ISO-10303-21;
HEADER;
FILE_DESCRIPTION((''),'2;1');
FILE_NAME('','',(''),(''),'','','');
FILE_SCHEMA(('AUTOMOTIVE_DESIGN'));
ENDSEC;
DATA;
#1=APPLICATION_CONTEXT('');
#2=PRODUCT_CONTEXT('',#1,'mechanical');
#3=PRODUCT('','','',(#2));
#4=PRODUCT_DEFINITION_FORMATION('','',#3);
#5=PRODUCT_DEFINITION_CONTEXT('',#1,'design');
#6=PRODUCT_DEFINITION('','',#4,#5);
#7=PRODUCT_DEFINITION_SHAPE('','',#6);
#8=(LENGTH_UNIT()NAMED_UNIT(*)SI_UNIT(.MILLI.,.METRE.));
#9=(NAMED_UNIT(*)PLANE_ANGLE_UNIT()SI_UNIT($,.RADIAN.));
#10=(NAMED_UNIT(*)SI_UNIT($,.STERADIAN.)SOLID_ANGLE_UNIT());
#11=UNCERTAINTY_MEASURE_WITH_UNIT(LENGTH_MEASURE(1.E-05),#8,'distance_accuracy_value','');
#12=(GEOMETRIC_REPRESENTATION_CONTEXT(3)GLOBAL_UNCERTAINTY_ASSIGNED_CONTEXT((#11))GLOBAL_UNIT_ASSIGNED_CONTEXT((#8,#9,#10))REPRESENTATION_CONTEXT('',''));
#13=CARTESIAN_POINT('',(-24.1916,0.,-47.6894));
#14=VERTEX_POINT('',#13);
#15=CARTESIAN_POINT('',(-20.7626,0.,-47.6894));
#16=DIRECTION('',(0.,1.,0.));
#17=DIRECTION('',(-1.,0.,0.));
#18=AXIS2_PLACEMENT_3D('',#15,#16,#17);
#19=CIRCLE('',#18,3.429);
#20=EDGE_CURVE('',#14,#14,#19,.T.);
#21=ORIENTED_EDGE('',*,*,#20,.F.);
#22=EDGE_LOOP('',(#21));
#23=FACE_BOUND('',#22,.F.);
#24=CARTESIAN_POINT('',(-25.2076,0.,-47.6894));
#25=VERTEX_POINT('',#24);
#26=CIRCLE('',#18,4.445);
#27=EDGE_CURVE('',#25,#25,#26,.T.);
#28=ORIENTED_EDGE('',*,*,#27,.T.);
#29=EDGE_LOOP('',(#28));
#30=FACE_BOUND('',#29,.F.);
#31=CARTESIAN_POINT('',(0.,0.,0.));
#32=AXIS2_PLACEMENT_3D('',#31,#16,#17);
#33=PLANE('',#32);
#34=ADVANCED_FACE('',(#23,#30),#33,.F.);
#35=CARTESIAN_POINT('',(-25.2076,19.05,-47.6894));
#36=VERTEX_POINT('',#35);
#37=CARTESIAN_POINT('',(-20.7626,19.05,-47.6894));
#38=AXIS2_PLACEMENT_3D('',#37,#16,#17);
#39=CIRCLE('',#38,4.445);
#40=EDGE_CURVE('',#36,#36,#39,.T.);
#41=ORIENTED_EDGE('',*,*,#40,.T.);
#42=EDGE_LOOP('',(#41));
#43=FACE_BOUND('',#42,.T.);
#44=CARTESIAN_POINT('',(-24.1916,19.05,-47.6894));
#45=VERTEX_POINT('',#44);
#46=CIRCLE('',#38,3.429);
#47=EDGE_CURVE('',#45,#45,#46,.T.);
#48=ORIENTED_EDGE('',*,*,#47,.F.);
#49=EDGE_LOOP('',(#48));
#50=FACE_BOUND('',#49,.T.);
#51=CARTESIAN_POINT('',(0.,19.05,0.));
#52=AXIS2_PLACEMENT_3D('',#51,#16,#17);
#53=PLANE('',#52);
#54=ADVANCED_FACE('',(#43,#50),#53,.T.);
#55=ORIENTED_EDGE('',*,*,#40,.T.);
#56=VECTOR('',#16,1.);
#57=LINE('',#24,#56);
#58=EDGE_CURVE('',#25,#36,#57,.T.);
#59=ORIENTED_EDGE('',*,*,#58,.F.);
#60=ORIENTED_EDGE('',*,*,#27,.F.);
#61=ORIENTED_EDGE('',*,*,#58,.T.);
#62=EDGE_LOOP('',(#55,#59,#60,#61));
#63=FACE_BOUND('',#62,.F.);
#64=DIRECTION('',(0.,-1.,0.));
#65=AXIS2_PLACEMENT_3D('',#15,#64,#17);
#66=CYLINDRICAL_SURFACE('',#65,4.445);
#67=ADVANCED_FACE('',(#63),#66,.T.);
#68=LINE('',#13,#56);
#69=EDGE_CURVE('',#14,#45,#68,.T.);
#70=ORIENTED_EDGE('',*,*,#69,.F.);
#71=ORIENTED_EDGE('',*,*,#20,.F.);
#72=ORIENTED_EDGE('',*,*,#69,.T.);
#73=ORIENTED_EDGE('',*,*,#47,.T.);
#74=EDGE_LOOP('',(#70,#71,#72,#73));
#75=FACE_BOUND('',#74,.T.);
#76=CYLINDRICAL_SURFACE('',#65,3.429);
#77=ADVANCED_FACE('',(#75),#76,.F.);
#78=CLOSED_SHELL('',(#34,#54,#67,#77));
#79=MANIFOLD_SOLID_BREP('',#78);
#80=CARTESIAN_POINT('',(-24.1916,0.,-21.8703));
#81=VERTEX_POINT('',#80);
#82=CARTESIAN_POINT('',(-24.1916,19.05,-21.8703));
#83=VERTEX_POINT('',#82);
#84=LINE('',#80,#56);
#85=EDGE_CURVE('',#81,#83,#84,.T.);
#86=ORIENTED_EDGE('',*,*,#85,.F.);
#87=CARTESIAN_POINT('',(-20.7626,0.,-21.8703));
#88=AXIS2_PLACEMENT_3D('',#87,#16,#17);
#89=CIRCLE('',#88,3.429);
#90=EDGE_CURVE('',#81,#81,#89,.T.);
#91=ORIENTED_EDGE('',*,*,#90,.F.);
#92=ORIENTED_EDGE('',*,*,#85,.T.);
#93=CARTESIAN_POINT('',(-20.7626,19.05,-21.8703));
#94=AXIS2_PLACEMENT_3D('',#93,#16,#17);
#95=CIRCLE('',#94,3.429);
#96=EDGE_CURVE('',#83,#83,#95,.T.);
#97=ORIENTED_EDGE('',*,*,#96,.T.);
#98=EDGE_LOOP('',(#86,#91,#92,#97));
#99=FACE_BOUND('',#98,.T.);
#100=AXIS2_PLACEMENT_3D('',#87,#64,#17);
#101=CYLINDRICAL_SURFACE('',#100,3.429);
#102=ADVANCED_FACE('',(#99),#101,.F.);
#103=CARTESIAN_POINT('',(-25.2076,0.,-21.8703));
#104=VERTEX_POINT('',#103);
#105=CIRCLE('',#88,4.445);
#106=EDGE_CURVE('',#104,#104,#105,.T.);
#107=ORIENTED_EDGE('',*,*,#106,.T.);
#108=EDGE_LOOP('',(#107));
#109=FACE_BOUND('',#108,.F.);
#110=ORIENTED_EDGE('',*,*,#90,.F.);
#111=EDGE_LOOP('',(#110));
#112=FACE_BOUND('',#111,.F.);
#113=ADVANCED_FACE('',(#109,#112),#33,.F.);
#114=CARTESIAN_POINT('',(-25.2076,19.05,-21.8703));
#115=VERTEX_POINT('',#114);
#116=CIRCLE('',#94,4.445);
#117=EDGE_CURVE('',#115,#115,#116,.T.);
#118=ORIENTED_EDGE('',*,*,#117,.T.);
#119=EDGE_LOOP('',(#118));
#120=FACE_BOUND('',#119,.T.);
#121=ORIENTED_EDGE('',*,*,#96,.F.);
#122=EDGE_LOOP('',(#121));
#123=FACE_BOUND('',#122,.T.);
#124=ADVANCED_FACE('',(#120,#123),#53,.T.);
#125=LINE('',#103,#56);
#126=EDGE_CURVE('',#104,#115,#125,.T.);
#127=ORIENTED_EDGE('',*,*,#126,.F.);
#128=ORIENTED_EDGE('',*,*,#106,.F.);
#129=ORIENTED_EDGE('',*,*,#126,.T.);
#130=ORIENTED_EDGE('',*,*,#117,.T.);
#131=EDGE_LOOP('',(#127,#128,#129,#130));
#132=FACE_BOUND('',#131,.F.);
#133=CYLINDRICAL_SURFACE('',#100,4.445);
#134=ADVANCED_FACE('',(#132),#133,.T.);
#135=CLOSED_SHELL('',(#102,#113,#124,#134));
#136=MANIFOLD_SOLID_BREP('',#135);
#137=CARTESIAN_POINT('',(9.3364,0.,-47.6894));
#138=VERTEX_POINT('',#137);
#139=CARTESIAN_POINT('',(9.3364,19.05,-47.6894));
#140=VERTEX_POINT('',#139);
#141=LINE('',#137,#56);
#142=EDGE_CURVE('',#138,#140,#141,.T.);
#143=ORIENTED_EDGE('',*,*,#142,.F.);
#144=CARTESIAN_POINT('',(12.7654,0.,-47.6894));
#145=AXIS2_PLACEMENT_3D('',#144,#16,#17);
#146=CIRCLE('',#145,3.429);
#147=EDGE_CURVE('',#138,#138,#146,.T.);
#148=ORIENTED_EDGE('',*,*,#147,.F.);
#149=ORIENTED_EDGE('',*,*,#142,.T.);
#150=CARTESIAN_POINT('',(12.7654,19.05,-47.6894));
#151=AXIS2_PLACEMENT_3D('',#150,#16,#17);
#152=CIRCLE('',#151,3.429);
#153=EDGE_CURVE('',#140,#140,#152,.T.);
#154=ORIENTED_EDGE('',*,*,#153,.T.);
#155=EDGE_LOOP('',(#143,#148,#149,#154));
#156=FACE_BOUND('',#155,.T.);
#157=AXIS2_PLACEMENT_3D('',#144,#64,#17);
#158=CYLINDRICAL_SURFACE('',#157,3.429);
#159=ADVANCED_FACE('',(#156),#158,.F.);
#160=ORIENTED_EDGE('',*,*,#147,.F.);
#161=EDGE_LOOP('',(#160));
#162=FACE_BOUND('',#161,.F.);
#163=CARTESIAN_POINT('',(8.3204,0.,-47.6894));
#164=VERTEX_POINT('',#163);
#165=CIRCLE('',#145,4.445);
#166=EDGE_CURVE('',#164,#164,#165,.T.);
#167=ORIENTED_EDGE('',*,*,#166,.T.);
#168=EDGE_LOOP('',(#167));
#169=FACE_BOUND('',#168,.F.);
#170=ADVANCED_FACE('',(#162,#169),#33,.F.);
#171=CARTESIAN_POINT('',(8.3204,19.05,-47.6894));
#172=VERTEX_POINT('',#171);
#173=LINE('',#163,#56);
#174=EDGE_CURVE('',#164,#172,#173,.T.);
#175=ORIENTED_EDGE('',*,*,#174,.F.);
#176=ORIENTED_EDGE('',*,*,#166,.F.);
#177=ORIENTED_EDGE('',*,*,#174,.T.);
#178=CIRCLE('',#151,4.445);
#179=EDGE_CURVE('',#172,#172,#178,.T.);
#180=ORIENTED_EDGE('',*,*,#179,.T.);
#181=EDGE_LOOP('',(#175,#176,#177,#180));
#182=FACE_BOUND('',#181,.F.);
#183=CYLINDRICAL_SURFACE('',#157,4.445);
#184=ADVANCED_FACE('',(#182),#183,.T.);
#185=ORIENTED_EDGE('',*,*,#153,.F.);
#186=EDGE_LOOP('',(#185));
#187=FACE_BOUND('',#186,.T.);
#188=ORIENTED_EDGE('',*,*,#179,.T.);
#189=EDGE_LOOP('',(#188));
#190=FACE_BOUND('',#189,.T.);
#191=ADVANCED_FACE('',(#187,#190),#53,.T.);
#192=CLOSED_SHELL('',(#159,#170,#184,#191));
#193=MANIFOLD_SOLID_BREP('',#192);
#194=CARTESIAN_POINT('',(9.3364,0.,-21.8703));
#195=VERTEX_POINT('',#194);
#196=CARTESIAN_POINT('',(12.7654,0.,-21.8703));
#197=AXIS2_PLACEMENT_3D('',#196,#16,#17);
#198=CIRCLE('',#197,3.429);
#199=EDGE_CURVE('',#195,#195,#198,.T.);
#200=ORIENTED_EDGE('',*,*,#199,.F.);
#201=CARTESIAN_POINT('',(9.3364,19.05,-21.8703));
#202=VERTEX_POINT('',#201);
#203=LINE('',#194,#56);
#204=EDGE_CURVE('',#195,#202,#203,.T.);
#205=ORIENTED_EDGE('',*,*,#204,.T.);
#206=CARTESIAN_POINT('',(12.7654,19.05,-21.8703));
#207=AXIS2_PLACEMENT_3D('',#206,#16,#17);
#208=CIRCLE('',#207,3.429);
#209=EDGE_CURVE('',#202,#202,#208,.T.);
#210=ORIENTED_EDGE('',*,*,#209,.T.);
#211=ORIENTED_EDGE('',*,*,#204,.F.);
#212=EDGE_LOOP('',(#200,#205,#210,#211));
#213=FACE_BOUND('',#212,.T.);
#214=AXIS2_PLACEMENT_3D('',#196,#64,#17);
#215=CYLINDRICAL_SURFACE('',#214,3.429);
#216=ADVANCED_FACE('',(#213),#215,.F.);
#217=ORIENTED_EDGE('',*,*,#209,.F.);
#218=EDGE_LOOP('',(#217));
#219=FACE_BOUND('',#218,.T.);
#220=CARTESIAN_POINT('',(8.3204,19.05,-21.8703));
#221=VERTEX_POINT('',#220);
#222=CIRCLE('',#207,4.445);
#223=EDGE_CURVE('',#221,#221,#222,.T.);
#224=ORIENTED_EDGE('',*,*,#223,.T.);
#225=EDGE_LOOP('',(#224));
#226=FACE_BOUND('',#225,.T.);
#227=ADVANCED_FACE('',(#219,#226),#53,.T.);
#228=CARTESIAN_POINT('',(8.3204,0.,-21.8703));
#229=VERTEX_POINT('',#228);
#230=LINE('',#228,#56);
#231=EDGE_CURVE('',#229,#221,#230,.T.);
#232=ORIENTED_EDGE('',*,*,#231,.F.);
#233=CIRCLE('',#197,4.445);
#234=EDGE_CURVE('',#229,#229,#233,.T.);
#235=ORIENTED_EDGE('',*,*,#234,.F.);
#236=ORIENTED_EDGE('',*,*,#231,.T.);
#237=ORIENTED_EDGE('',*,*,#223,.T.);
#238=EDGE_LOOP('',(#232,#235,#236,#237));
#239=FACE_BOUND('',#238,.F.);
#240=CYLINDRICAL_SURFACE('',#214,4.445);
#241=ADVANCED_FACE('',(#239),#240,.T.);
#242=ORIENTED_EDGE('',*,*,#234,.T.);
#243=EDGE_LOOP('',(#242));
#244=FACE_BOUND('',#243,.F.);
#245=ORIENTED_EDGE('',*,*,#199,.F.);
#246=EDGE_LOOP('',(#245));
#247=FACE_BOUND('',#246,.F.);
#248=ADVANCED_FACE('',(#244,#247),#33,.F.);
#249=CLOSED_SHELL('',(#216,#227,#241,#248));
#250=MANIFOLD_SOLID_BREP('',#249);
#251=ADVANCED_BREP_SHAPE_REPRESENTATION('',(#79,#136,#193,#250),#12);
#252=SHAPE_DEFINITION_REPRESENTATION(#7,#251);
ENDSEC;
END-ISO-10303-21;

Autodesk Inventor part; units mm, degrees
ref_plane "YZ Plane" through (0, 0, 0) normal (1, 0, 0) x (0, 1, 0)
ref_plane "XZ Plane" through (0, 0, 0) normal (0, 1, 0) x (-1, 0, 0)
ref_plane "XY Plane" through (0, 0, 0) normal (0, 0, 1) x (1, 0, 0)
sketch "Sketch1" plane through (0, 0, 0) normal (0, 1, 0) x (-1, 0, 0)
  arc A0 (17.7231, -22.7881) -> (17.7231, -20.9526) centre (20.7626, -21.8703) ccw projected
  arc A1 (17.7231, -20.9526) -> (17.7231, -22.7881) centre (20.7626, -21.8703) ccw projected
  arc A2 (17.7231, -48.6072) -> (17.7231, -46.7717) centre (20.7626, -47.6894) ccw projected
  arc A3 (17.7231, -46.7717) -> (17.7231, -48.6072) centre (20.7626, -47.6894) ccw projected
  arc A4 (-9.726, -46.7717) -> (-9.726, -48.6072) centre (-12.7654, -47.6894) ccw projected
  arc A5 (-9.726, -48.6072) -> (-9.726, -46.7717) centre (-12.7654, -47.6894) ccw projected
  arc A6 (-9.726, -20.9526) -> (-9.726, -22.7881) centre (-12.7654, -21.8703) ccw projected
  arc A7 (-9.726, -22.7881) -> (-9.726, -20.9526) centre (-12.7654, -21.8703) ccw projected
  circle A8 centre (20.7626, -21.8703) radius 3.429
  circle A9 centre (20.7626, -47.6894) radius 3.429
  circle A10 centre (-12.7654, -47.6894) radius 3.429
  circle A11 centre (-12.7654, -21.8703) radius 3.429
  circle A12 centre (-12.7654, -21.8703) radius 4.445
  circle A13 centre (-12.7654, -47.6894) radius 4.445
  circle A14 centre (20.7626, -47.6894) radius 4.445
  circle A15 centre (20.7626, -21.8703) radius 4.445
  point P0 (0, 0)
  dimension "d0" = 6.858
  dimension "d1" = 6.858
  dimension "d2" = 6.858
  dimension "d3" = 6.858
  dimension "d4" = 8.89
  dimension "d5" = 8.89
  dimension "d6" = 8.89
  dimension "d7" = 8.89
extrude "Extrusion1" add sketch "Sketch1" along normal blind 19.05 contours A12 | A13 | A14 | A15
ref_plane "Work Plane2" through (-20.7626, 0, -17.4253) normal (0, 0, 1) x (1, 0, 0)
ref_plane "Work Plane1" through (-4.353, 20.3962, -73.6634) normal (0, 0, 1) x (1, 0, 0)
sketch "Sketch2" plane through (-20.7626, 0, -17.4253) normal (0, 0, 1) x (1, 0, 0)
  circle A0 centre (16.4095, 20.3962) radius 7.9375 projected
  line L0 (29.718, 19.05) -> (28.448, 19.05) projected
  line L1 (29.083, 0) -> (29.083, 19.05) projected
  line L2 (29.718, 19.05) -> (37.0078, 19.05) projected
  circle A1 centre (16.4095, 20.3962) radius 69.85 projected
  circle A2 centre (16.4095, 20.3962) radius 7.9375 projected
  line L3 (29.3635, 19.05) -> (28.0935, 19.05) projected
  line L4 (28.0935, 22.098) -> (28.0935, 19.05) projected
  line L5 (26.8235, 20.5954) -> (28.0935, 19.1092) projected
  line L6 (22.3384, 25.8441) -> (26.8235, 20.5954) projected
  arc A3 (22.3384, 25.8441) -> (21.3729, 26.289) centre (21.3729, 25.019) ccw projected
  line L7 (4.7255, 19.05) -> (3.4555, 19.05) projected
  line L8 (4.445, 0) -> (4.445, 19.05) projected
  line L9 (4.7255, 19.1092) -> (5.9955, 20.5954) projected
  arc A4 (12.3827, 29.337) -> (7.5552, 27.1123) centre (12.3827, 22.987) ccw projected
  line L10 (7.5552, 27.1123) -> (3.6505, 22.5429) projected
  arc A5 (2.685, 22.098) -> (3.6505, 22.5429) centre (2.685, 23.368) ccw projected
  line L11 (5.9955, 22.098) -> (2.685, 22.098) projected
  line L12 (5.9955, 20.5954) -> (5.9955, 22.098) projected
  line L13 (5.9955, 20.5954) -> (10.4807, 25.8441) projected
  arc A6 (11.4462, 26.289) -> (10.4807, 25.8441) centre (11.4462, 25.019) ccw projected
  line L14 (11.4462, 26.289) -> (21.3729, 26.289) projected
  arc A7 (22.3384, 25.8441) -> (21.3729, 26.289) centre (21.3729, 25.019) ccw projected
  line L15 (22.3384, 25.8441) -> (26.8235, 20.5954) projected
  line L16 (26.8235, 22.098) -> (26.8235, 20.5954) projected
  line L17 (30.1341, 22.098) -> (26.8235, 22.098) projected
  arc A8 (29.1686, 22.5429) -> (30.1341, 22.098) centre (30.1341, 23.368) ccw projected
  line L18 (29.1686, 22.5429) -> (25.2639, 27.1123) projected
  arc A9 (25.2639, 27.1123) -> (20.4364, 29.337) centre (20.4364, 22.987) ccw projected
  line L19 (12.3827, 29.337) -> (20.4364, 29.337) projected
  line L20 (4.445, 19.05) -> (8.255, 19.05)
  line L21 (16.4095, 12.4587) -> (16.4095, 8.6487)
  arc A10 (8.3294, 19.05) -> (24.4897, 19.05) centre (16.4095, 20.3962) ccw
  line L22 (8.255, 19.05) -> (8.3294, 19.05)
  line L23 (24.4897, 19.05) -> (29.494, 19.05)
  line L24 (29.494, 16.51) -> (26.4127, 16.51)
  line L25 (6.4064, 16.51) -> (4.445, 16.51)
  line L26 (21.3729, 10.8814) -> (29.083, 3.1713)
  line L27 (21.3729, 10.8814) -> (34.2329, 10.8814) construction
  line L28 (23.3424, 12.2047) -> (29.083, 6.4641)
  line L29 (23.3424, 12.2047) -> (31.4608, 12.2047) construction
  line L30 (29.083, 6.4641) -> (29.083, 3.1713)
  line L31 (28.829, 6.3589) -> (23.3263, 11.8616)
  arc A11 (21.7932, 10.8203) -> (23.3263, 11.8616) centre (16.4095, 20.3962) ccw
  line L32 (28.829, 3.7845) -> (28.829, 6.3589)
  line L33 (23.3263, 11.8616) -> (23.3263, 9.2872)
  line L34 (23.3263, 9.2872) -> (25.9007, 9.2872)
  line L35 (25.9007, 9.2872) -> (25.9007, 6.7128)
  line L36 (25.9007, 6.7128) -> (28.475, 6.7128)
  line L37 (28.475, 6.7128) -> (28.475, 4.1385)
  arc A12 (23.3424, 12.2047) -> (26.4127, 16.51) centre (16.4095, 20.3962) ccw
  arc A13 (23.3263, 12.1911) -> (23.3424, 12.2047) centre (16.4095, 20.3962) ccw
  line L38 (37.973, 0) -> (29.083, 0) projected
  line L39 (4.445, 0) -> (29.083, 0)
  line L40 (16.4095, -95.1738) -> (16.4095, 135.9662)
  line L41 (29.083, 2.54) -> (29.083, 0)
  line L42 (4.445, 2.54) -> (4.445, 0)
  line L43 (30.099, 19.05) -> (30.099, 0) projected
  line L44 (28.829, 2.286) -> (4.699, 2.286)
  line L45 (4.699, 2.286) -> (4.699, 0.254)
  line L46 (4.699, 0.254) -> (28.829, 0.254)
  line L47 (28.829, 0.254) -> (28.829, 2.286)
  line L48 (28.221, 4.3925) -> (28.221, 6.4588)
  line L49 (28.221, 6.4588) -> (26.1547, 6.4588)
  line L50 (23.0723, 9.5412) -> (23.0723, 11.6618)
  line L51 (25.6467, 9.0332) -> (23.5803, 9.0332)
  line L52 (25.6467, 6.9668) -> (25.6467, 9.0332)
  line L53 (28.475, 4.1385) -> (28.829, 3.7845)
  line L54 (26.1547, 6.4588) -> (28.221, 4.3925)
  line L55 (21.7932, 10.8203) -> (23.0723, 9.5412)
  line L56 (23.5803, 9.0332) -> (25.6467, 6.9668)
  line L57 (4.699, 0.254) -> (6.731, 2.286)
  line L58 (4.699, 0.254) -> (7.5727, 0.254) construction
  line L59 (6.731, 2.286) -> (6.731, 0.254)
  line L60 (6.731, 0.254) -> (8.763, 2.286)
  line L61 (8.763, 0.254) -> (8.763, 2.286)
  line L62 (8.763, 0.254) -> (10.795, 2.286)
  line L63 (10.795, 2.286) -> (10.795, 0.254)
  line L64 (10.795, 0.254) -> (12.827, 2.286)
  line L65 (12.827, 2.286) -> (12.827, 0.254)
  line L66 (12.827, 0.254) -> (14.859, 2.286)
  line L67 (14.859, 2.286) -> (14.859, 0.254)
  line L68 (14.859, 0.254) -> (16.4095, 2.286)
  line L69 (28.1201, 0.254) -> (26.0881, 2.286)
  line L70 (26.0881, 2.286) -> (26.0881, 0.254)
  line L71 (26.0881, 0.254) -> (24.0561, 2.286)
  line L72 (24.0561, 0.254) -> (24.0561, 2.286)
  line L73 (24.0561, 0.254) -> (22.0241, 2.286)
  line L74 (22.0241, 2.286) -> (22.0241, 0.254)
  line L75 (22.0241, 0.254) -> (19.9921, 2.286)
  line L76 (19.9921, 2.286) -> (19.9921, 0.254)
  line L77 (19.9921, 0.254) -> (17.9601, 2.286)
  line L78 (17.9601, 2.286) -> (17.9601, 0.254)
  line L79 (17.9601, 0.254) -> (16.4095, 2.286)
  line L80 (23.8021, 0.8672) -> (22.3833, 2.286)
  line L81 (21.7701, 2.286) -> (21.7701, 0.8672)
  line L82 (21.7701, 0.8672) -> (20.3513, 2.286)
  line L83 (19.7381, 2.286) -> (19.7381, 0.8672)
  line L84 (19.7381, 0.8672) -> (18.3193, 2.286)
  line L85 (17.7061, 2.286) -> (17.7061, 1.0056)
  line L86 (17.7061, 1.0056) -> (16.729, 2.286)
  line L87 (16.09, 2.286) -> (15.113, 1.0056)
  line L88 (15.113, 1.0056) -> (15.113, 2.286)
  line L89 (14.4998, 2.286) -> (13.081, 0.8672)
  line L90 (13.081, 0.8672) -> (13.081, 2.286)
  line L91 (12.4678, 2.286) -> (11.049, 0.8672)
  line L92 (11.049, 0.8672) -> (11.049, 2.286)
  line L93 (10.4358, 2.286) -> (9.017, 0.8672)
  line L94 (9.017, 0.8672) -> (9.017, 2.286)
  line L95 (8.4038, 2.286) -> (6.985, 0.8672)
  line L96 (6.985, 0.8672) -> (6.985, 2.286)
  line L97 (6.3718, 2.286) -> (4.699, 0.6132)
  line L98 (28.2997, 0.4336) -> (28.4793, 0.254)
  line L99 (23.8021, 2.286) -> (23.8021, 0.8672)
  line L100 (25.8341, 0.8672) -> (24.4153, 2.286)
  line L101 (25.8341, 2.286) -> (25.8341, 0.8672)
  line L102 (28.2997, 0.4336) -> (26.4473, 2.286)
  line L103 (11.4462, 10.8814) -> (3.7361, 3.1713)
  line L104 (11.4462, 10.8814) -> (-1.4138, 10.8814) construction
  line L105 (9.4767, 12.2047) -> (3.7361, 6.4641)
  line L106 (3.9901, 6.3589) -> (9.4928, 11.8616)
  arc A14 (9.4928, 11.8616) -> (11.0259, 10.8203) centre (16.4095, 20.3962) ccw
  line L107 (3.9901, 3.7845) -> (3.9901, 6.3589)
  line L108 (9.4928, 11.8616) -> (9.4928, 9.2872)
  line L109 (9.4928, 9.2872) -> (6.9184, 9.2872)
  line L110 (6.9184, 9.2872) -> (6.9184, 6.7128)
  line L111 (6.9184, 6.7128) -> (4.344, 6.7128)
  line L112 (4.344, 6.7128) -> (4.344, 4.1385)
  line L113 (4.598, 4.3925) -> (4.598, 6.4588)
  line L114 (4.598, 6.4588) -> (6.6644, 6.4588)
  line L115 (9.7468, 9.5412) -> (9.7468, 11.6618)
  line L116 (7.1724, 9.0332) -> (9.2388, 9.0332)
  line L117 (7.1724, 6.9668) -> (7.1724, 9.0332)
  line L118 (4.344, 4.1385) -> (3.9901, 3.7845)
  line L119 (6.6644, 6.4588) -> (4.598, 4.3925)
  line L120 (11.0259, 10.8203) -> (9.7468, 9.5412)
  line L121 (9.2388, 9.0332) -> (7.1724, 6.9668)
  arc A15 (6.4064, 16.51) -> (9.4767, 12.2047) centre (16.4095, 20.3962) ccw
  arc A16 (11.4462, 10.8814) -> (21.3729, 10.8814) centre (16.4095, 20.3962) ccw
  line L122 (15.113, 2.286) -> (15.113, 9.7433)
  line L123 (17.7061, 2.54) -> (17.7061, 9.7433)
  line L124 (16.6635, 2.794) -> (17.4521, 3.5825)
  line L125 (17.4521, 3.8365) -> (16.6635, 3.8365)
  line L126 (16.6635, 4.0905) -> (17.4521, 4.8791)
  line L127 (17.4521, 5.1331) -> (16.6635, 5.1331)
  line L128 (16.6635, 5.3871) -> (17.4521, 6.1756)
  line L129 (17.4521, 6.4296) -> (16.6635, 6.4296)
  line L130 (16.6635, 6.6836) -> (17.4521, 7.4721)
  line L131 (17.4521, 7.7261) -> (16.6635, 7.7261)
  line L132 (16.6635, 7.9801) -> (17.4521, 8.7687)
  line L133 (17.4521, 9.0227) -> (16.6635, 9.0227)
  line L134 (16.6635, 9.2767) -> (17.072, 9.6852)
  line L135 (16.6635, 2.54) -> (17.4521, 2.54)
  line L136 (17.4521, 9.7433) -> (17.4521, 2.54)
  line L137 (16.6635, 2.54) -> (16.6635, 135.9662)
  line L138 (16.6635, -95.1738) -> (16.6635, -49.4533)
  line L139 (17.7061, 2.54) -> (29.083, 2.54)
  line L140 (4.445, 2.54) -> (16.4095, 2.54)
  line L141 (16.6635, 2.54) -> (17.4521, 2.54)
  line L142 (16.6962, 9.6685) -> (16.6635, 9.6359)
  line L143 (16.6635, 8.7687) -> (17.0929, 8.7687)
  line L144 (17.0929, 8.7687) -> (16.6635, 8.3394)
  line L145 (17.0929, 7.4721) -> (16.6635, 7.0428)
  line L146 (16.6635, 6.1756) -> (17.0929, 6.1756)
  line L147 (17.0929, 6.1756) -> (16.6635, 5.7463)
  line L148 (16.6635, 4.8791) -> (17.0929, 4.8791)
  line L149 (16.6635, 3.5825) -> (17.0929, 3.5825)
  line L150 (17.0929, 3.5825) -> (16.6635, 3.1532)
  line L151 (17.0929, 4.8791) -> (16.6635, 4.4497)
  line L152 (16.6635, 7.4721) -> (17.0929, 7.4721)
  line L153 (15.113, 2.54) -> (15.113, 9.7433)
  line L154 (16.1555, 2.794) -> (15.367, 3.5825)
  line L155 (15.367, 3.8365) -> (16.1555, 3.8365)
  line L156 (16.1555, 4.0905) -> (15.367, 4.8791)
  line L157 (15.367, 5.1331) -> (16.1555, 5.1331)
  line L158 (16.1555, 5.3871) -> (15.367, 6.1756)
  line L159 (15.367, 6.4296) -> (16.1555, 6.4296)
  line L160 (16.1555, 6.6836) -> (15.367, 7.4721)
  line L161 (15.367, 7.7261) -> (16.1555, 7.7261)
  line L162 (16.1555, 7.9801) -> (15.367, 8.7687)
  line L163 (15.367, 9.0227) -> (16.1555, 9.0227)
  line L164 (16.1555, 9.2767) -> (15.747, 9.6852)
  line L165 (16.1555, 2.54) -> (15.367, 2.54)
  line L166 (15.367, 9.7433) -> (15.367, 2.54)
  line L167 (16.1555, 2.54) -> (16.1555, 135.9662)
  line L168 (16.1555, 8.7687) -> (15.7262, 8.7687)
  line L169 (15.7262, 8.7687) -> (16.1555, 8.3394)
  line L170 (15.7262, 7.4721) -> (16.1555, 7.0428)
  line L171 (16.1555, 6.1756) -> (15.7262, 6.1756)
  line L172 (15.7262, 6.1756) -> (16.1555, 5.7463)
  line L173 (16.1555, 4.8791) -> (15.7262, 4.8791)
  line L174 (16.1555, 3.5825) -> (15.7262, 3.5825)
  line L175 (15.7262, 3.5825) -> (16.1555, 3.1532)
  line L176 (15.7262, 4.8791) -> (16.1555, 4.4497)
  line L177 (16.1555, 7.4721) -> (15.7262, 7.4721)
  line L178 (21.7932, 10.8203) -> (28.829, 3.7845)
  arc A17 (21.3729, 10.8814) -> (23.3263, 12.1911) centre (16.4095, 20.3962) ccw
  arc A18 (9.4767, 12.2047) -> (11.4462, 10.8814) centre (16.4095, 20.3962) ccw
  line L179 (3.7361, 6.4641) -> (3.7361, 3.1713)
  line L180 (3.7361, 3.1713) -> (3.7361, 6.4641)
  line L181 (3.7361, 6.4641) -> (3.7361, 3.1713)
  line L182 (16.4086, 29.337) -> (16.4086, -46.863)
  point P0 (20.7626, 0)
  dimension "d10" = 3.81
  dimension "d11" = 3.81
  dimension "d12" = 0.254
  dimension "d14" = 45
  dimension "d15" = 45
  dimension "d16" = 0.254
  dimension "d20" = 0.254
  dimension "d21" = 45
  dimension "d23" = 0.254
  dimension "d26" = 8.0538
  dimension "d27" = 76.2
  dimension "d28" = 4.0259
properties part number "FastenerForLegFrame"
